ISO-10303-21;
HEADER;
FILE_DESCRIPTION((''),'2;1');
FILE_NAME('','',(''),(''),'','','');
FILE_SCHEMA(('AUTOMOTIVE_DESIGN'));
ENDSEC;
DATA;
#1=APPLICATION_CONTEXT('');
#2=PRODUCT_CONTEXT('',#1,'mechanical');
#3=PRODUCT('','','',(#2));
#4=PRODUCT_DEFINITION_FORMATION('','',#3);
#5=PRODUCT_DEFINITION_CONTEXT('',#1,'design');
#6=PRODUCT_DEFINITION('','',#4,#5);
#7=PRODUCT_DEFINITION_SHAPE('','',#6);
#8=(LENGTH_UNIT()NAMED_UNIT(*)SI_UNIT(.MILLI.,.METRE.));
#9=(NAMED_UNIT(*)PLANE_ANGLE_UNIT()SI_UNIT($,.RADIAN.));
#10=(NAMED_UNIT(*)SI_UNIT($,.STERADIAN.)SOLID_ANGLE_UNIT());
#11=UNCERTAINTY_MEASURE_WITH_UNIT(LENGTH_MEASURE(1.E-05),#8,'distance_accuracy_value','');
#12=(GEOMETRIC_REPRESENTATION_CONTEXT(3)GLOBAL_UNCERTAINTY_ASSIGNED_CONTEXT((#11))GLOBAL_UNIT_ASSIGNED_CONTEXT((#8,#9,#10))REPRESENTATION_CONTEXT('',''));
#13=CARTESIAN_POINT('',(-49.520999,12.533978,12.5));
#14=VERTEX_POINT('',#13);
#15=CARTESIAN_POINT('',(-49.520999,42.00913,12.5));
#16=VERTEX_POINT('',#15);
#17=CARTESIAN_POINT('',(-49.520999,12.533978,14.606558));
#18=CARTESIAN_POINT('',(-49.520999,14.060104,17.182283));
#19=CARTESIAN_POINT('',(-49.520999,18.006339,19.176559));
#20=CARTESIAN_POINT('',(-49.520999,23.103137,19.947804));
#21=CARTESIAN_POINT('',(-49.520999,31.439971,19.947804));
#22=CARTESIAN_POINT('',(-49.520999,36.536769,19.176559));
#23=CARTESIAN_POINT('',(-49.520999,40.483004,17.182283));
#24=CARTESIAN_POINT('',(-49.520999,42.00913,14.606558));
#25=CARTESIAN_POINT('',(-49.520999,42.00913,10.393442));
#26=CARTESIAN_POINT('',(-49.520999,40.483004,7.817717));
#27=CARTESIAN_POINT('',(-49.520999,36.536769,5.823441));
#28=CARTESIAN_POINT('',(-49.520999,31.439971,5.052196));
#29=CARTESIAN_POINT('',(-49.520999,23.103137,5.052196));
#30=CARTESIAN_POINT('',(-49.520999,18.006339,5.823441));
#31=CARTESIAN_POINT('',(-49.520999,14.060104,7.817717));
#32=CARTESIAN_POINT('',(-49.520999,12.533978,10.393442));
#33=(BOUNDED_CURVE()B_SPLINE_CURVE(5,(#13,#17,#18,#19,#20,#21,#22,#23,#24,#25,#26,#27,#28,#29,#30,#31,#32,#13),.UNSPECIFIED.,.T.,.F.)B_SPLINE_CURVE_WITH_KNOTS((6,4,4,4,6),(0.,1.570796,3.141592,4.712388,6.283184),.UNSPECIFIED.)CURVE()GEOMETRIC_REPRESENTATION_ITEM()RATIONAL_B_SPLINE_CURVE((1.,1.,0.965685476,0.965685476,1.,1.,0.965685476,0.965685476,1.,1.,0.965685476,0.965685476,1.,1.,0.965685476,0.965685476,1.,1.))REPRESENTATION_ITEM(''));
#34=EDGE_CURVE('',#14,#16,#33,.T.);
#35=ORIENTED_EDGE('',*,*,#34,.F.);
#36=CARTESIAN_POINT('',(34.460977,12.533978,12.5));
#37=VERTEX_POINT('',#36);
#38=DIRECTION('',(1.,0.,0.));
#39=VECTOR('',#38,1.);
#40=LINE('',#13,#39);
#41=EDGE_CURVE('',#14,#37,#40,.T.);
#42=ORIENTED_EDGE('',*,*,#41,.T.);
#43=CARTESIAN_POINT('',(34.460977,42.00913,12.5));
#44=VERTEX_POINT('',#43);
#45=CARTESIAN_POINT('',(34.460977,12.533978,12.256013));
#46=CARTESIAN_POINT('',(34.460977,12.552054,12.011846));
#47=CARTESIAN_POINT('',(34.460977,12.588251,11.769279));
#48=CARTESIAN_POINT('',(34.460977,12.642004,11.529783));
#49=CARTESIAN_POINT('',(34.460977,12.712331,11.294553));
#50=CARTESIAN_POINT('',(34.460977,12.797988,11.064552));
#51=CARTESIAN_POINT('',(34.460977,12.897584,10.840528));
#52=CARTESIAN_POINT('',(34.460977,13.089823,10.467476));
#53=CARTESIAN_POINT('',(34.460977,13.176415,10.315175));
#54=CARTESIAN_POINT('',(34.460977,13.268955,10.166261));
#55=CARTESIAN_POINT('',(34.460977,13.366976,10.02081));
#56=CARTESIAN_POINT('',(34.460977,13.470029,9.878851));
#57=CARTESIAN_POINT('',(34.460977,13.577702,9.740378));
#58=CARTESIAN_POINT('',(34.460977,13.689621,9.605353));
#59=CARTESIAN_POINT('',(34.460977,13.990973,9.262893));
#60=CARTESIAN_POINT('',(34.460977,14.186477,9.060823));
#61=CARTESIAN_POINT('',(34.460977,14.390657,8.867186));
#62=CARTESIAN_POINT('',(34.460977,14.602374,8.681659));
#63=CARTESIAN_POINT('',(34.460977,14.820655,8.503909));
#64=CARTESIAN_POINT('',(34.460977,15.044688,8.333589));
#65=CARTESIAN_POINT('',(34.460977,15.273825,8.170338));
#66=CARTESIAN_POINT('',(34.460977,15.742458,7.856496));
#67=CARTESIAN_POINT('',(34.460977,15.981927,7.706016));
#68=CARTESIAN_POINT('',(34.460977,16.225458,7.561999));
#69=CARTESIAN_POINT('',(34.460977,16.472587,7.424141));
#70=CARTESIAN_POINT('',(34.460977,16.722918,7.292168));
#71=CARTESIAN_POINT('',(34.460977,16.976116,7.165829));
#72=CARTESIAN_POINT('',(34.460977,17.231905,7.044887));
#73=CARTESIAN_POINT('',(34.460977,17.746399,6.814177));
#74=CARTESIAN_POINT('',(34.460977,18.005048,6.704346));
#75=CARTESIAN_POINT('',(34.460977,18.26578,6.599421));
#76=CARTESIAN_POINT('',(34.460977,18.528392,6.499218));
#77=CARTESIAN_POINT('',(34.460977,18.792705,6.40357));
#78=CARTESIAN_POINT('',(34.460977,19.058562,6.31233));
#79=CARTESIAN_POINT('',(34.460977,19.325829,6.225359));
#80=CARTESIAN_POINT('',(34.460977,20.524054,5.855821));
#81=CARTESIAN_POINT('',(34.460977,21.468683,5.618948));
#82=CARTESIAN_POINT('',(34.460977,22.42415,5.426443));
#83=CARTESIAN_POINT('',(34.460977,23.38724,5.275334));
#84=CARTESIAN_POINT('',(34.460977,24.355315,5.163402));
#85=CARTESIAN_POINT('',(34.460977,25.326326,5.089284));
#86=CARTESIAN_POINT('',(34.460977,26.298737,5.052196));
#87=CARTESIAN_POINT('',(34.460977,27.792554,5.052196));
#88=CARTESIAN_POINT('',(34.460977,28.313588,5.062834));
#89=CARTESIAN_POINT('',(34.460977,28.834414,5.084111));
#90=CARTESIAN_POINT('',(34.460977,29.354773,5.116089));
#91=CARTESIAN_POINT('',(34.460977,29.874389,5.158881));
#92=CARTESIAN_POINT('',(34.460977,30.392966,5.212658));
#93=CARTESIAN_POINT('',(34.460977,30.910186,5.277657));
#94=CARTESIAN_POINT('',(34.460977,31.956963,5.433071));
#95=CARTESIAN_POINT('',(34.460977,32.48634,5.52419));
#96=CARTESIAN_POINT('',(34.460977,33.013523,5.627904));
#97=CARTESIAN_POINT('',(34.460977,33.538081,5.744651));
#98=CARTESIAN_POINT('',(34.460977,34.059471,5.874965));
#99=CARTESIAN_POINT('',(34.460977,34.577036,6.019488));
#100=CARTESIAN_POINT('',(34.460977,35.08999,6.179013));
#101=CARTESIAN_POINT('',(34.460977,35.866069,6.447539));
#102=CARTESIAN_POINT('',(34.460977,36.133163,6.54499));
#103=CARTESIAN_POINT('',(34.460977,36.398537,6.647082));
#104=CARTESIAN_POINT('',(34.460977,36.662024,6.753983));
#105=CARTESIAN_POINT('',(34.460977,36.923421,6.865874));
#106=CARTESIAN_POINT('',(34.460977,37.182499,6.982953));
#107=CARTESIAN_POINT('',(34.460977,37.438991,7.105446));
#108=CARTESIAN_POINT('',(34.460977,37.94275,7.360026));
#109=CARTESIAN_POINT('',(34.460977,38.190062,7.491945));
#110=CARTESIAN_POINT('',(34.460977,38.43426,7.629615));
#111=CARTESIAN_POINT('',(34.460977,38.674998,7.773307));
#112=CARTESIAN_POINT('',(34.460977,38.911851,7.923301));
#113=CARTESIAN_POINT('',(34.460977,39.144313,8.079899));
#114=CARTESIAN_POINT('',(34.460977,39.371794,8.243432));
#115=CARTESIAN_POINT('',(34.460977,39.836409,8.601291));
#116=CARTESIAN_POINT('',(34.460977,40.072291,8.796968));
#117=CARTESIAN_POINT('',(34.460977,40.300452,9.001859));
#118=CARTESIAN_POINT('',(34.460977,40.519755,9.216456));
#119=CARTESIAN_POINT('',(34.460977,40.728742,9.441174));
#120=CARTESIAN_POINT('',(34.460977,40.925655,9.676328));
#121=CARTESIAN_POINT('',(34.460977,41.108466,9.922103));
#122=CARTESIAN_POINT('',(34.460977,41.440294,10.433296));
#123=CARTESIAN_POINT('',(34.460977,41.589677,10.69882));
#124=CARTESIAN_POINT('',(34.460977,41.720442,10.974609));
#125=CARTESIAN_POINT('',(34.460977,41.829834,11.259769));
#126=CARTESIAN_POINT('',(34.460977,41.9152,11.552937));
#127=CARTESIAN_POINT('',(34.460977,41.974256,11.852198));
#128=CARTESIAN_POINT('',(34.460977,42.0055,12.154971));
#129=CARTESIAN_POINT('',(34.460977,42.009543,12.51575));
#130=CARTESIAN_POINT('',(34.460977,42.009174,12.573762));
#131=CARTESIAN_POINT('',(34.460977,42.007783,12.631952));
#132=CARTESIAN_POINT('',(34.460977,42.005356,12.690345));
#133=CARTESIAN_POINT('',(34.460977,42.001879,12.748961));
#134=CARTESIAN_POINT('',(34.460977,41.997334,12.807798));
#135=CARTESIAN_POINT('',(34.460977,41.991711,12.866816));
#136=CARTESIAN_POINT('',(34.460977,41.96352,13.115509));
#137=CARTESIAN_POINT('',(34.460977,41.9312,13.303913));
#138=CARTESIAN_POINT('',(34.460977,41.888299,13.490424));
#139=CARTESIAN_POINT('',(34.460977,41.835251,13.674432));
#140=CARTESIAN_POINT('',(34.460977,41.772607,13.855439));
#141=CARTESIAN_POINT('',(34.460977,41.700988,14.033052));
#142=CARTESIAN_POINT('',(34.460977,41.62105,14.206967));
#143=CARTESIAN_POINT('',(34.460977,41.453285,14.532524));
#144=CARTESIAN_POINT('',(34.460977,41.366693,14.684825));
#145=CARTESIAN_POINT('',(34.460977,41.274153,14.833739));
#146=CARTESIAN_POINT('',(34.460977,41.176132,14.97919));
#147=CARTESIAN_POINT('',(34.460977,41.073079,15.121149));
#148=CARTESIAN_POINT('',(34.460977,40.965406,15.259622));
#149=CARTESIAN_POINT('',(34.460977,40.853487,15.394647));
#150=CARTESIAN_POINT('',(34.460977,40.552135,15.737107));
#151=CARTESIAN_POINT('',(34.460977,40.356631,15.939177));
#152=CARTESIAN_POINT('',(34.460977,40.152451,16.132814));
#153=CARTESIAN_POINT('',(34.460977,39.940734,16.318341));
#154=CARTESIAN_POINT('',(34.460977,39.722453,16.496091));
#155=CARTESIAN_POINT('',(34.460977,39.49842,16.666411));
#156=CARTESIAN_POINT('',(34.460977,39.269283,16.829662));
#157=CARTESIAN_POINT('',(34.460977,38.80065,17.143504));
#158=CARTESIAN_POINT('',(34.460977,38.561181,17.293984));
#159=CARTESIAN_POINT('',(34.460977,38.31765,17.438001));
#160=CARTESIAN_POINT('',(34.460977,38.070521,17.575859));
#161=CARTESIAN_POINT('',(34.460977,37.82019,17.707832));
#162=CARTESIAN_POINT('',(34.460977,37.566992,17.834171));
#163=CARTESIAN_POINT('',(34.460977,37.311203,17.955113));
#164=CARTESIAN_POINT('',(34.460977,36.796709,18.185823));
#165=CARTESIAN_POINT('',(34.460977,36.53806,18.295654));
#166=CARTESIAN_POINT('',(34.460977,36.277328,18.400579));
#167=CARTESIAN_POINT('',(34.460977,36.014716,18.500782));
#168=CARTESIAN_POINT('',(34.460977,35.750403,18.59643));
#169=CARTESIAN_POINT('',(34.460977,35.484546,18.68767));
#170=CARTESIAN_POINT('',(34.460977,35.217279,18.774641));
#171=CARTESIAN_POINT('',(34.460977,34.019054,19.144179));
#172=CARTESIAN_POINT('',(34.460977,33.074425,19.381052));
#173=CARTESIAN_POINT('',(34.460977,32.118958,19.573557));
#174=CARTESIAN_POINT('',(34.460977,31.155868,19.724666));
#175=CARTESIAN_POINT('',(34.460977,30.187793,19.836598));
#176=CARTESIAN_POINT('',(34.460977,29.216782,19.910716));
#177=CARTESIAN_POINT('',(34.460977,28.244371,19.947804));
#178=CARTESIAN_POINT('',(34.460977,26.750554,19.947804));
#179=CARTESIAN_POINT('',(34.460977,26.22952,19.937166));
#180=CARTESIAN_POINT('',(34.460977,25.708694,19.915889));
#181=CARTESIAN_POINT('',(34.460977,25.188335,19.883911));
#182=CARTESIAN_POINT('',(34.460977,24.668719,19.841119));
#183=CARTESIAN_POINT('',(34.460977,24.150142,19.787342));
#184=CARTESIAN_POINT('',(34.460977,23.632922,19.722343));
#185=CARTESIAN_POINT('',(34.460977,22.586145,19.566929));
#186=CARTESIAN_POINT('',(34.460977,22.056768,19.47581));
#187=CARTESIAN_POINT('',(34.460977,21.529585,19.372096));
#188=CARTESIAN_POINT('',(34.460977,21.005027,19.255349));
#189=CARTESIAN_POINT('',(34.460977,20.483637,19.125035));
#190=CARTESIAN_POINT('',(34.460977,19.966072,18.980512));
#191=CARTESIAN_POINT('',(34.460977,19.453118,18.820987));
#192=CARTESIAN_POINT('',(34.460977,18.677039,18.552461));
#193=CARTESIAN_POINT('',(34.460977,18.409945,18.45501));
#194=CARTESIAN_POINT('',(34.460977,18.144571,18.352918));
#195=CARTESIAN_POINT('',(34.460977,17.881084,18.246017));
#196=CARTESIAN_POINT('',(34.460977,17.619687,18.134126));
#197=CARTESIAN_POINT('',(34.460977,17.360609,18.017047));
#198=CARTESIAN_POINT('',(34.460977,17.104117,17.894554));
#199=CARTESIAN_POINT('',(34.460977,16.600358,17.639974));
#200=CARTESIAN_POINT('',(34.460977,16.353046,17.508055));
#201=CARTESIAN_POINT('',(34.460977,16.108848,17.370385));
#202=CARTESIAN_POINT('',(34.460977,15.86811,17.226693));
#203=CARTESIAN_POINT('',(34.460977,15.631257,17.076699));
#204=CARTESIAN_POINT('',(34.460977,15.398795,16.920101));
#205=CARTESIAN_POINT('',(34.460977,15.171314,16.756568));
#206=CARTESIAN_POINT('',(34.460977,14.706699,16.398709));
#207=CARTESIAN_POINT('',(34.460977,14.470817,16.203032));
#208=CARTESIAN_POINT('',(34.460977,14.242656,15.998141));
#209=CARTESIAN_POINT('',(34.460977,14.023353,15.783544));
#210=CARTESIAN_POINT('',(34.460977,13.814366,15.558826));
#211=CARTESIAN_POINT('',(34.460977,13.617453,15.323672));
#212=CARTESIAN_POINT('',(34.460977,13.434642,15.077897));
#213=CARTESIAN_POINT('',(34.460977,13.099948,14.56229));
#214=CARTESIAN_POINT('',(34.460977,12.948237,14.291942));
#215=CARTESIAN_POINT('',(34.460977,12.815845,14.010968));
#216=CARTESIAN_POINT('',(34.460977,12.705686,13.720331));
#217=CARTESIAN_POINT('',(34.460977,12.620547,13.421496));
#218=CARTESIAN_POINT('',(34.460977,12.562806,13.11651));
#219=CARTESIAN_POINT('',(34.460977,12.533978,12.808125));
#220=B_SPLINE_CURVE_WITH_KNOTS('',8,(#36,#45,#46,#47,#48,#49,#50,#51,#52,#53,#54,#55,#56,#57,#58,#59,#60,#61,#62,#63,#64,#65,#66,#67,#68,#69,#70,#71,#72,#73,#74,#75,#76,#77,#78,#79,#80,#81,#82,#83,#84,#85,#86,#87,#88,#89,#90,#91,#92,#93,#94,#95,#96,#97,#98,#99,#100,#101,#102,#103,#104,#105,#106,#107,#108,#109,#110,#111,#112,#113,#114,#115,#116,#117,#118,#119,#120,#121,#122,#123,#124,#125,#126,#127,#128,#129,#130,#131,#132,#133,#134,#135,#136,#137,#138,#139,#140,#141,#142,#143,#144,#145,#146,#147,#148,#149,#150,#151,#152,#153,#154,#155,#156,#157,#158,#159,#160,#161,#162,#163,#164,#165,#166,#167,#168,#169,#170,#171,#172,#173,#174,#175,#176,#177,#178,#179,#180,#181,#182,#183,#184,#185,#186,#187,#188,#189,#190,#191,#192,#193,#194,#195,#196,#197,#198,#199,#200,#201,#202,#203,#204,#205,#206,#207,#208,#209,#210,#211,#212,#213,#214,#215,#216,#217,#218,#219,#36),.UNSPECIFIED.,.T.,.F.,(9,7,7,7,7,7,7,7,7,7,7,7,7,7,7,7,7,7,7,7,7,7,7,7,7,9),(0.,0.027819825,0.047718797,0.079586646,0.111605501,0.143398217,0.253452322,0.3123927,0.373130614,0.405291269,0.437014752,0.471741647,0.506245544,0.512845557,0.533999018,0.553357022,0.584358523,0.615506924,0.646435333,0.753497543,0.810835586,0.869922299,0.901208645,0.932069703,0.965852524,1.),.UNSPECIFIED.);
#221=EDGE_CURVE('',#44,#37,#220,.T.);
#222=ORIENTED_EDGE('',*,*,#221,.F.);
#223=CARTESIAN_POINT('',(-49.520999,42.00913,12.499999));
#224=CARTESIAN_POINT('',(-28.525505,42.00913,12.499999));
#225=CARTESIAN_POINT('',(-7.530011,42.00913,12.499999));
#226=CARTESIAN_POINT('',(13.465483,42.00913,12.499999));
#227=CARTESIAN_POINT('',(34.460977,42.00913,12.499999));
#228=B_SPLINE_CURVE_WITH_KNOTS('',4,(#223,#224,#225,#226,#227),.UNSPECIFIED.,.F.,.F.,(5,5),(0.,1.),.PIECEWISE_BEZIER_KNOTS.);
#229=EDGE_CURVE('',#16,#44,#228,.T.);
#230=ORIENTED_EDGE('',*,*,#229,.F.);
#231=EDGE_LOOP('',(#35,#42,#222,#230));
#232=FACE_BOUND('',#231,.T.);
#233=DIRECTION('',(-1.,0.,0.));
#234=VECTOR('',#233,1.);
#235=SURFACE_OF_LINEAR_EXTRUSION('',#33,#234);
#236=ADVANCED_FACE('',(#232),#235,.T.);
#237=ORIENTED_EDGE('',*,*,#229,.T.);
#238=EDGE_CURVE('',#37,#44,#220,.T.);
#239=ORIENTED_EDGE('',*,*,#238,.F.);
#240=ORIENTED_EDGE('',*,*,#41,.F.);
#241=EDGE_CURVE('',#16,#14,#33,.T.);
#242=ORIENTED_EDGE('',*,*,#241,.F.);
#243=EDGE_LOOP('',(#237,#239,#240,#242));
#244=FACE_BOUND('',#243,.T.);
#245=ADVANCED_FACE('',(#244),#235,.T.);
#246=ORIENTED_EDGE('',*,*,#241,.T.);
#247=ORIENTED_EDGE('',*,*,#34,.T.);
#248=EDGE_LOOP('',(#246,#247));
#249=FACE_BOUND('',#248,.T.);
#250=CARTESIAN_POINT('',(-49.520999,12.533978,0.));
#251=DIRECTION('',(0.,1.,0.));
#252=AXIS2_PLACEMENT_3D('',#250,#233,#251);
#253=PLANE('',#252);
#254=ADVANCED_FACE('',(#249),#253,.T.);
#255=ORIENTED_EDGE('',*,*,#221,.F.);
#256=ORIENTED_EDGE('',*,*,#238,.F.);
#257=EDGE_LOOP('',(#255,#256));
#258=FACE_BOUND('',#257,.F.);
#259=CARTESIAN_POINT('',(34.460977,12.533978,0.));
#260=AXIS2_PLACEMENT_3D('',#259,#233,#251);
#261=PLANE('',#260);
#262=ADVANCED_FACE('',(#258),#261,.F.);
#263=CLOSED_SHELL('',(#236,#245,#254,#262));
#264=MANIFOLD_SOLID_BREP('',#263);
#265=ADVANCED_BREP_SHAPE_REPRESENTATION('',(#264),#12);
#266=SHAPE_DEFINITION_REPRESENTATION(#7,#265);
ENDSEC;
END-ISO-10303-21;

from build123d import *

# Parameters (mm, degrees)
F0_W     = 83.981976
F0_H     = 29.475152
F1_DEPTH = 25
F3_DEPTH = 200


with BuildPart() as f1:
    # F0 (on Top) → F1 (new body)
    with BuildSketch(Plane.XY):
        with Locations((-7.530011, 27.271554)):
            Rectangle(F0_W, F0_H)
    extrude(amount=F1_DEPTH)

    # F2 (on face) → F3 (intersect)
    with BuildSketch(Plane(origin=(-49.520999, 0, 0), x_dir=(0, -1, 0), z_dir=(-1, 0, 0))):
        with BuildLine():
            add(Edge.make_bspline(
                [(-42.00913, 12.5), (-42.00913, 5.052196), (-27.271554, 5.052196), (-12.533978, 5.052196), (-12.533978, 12.5)],
                knots=[3.141593, 3.141593, 3.141593, 4.712389, 4.712389, 6.283185, 6.283185, 6.283185], degree=2, weights=[1, 0.707107, 1, 0.707107, 1]))
            add(Edge.make_bspline(
                [(-12.533978, 12.5), (-12.533978, 19.947804), (-27.271554, 19.947804), (-42.00913, 19.947804), (-42.00913, 12.5)],
                knots=[0, 0, 0, 1.570796, 1.570796, 3.141593, 3.141593, 3.141593], degree=2, weights=[1, 0.707107, 1, 0.707107, 1]))
        make_face()
    extrude(amount=-F3_DEPTH, mode=Mode.INTERSECT)


solid = f1.part
